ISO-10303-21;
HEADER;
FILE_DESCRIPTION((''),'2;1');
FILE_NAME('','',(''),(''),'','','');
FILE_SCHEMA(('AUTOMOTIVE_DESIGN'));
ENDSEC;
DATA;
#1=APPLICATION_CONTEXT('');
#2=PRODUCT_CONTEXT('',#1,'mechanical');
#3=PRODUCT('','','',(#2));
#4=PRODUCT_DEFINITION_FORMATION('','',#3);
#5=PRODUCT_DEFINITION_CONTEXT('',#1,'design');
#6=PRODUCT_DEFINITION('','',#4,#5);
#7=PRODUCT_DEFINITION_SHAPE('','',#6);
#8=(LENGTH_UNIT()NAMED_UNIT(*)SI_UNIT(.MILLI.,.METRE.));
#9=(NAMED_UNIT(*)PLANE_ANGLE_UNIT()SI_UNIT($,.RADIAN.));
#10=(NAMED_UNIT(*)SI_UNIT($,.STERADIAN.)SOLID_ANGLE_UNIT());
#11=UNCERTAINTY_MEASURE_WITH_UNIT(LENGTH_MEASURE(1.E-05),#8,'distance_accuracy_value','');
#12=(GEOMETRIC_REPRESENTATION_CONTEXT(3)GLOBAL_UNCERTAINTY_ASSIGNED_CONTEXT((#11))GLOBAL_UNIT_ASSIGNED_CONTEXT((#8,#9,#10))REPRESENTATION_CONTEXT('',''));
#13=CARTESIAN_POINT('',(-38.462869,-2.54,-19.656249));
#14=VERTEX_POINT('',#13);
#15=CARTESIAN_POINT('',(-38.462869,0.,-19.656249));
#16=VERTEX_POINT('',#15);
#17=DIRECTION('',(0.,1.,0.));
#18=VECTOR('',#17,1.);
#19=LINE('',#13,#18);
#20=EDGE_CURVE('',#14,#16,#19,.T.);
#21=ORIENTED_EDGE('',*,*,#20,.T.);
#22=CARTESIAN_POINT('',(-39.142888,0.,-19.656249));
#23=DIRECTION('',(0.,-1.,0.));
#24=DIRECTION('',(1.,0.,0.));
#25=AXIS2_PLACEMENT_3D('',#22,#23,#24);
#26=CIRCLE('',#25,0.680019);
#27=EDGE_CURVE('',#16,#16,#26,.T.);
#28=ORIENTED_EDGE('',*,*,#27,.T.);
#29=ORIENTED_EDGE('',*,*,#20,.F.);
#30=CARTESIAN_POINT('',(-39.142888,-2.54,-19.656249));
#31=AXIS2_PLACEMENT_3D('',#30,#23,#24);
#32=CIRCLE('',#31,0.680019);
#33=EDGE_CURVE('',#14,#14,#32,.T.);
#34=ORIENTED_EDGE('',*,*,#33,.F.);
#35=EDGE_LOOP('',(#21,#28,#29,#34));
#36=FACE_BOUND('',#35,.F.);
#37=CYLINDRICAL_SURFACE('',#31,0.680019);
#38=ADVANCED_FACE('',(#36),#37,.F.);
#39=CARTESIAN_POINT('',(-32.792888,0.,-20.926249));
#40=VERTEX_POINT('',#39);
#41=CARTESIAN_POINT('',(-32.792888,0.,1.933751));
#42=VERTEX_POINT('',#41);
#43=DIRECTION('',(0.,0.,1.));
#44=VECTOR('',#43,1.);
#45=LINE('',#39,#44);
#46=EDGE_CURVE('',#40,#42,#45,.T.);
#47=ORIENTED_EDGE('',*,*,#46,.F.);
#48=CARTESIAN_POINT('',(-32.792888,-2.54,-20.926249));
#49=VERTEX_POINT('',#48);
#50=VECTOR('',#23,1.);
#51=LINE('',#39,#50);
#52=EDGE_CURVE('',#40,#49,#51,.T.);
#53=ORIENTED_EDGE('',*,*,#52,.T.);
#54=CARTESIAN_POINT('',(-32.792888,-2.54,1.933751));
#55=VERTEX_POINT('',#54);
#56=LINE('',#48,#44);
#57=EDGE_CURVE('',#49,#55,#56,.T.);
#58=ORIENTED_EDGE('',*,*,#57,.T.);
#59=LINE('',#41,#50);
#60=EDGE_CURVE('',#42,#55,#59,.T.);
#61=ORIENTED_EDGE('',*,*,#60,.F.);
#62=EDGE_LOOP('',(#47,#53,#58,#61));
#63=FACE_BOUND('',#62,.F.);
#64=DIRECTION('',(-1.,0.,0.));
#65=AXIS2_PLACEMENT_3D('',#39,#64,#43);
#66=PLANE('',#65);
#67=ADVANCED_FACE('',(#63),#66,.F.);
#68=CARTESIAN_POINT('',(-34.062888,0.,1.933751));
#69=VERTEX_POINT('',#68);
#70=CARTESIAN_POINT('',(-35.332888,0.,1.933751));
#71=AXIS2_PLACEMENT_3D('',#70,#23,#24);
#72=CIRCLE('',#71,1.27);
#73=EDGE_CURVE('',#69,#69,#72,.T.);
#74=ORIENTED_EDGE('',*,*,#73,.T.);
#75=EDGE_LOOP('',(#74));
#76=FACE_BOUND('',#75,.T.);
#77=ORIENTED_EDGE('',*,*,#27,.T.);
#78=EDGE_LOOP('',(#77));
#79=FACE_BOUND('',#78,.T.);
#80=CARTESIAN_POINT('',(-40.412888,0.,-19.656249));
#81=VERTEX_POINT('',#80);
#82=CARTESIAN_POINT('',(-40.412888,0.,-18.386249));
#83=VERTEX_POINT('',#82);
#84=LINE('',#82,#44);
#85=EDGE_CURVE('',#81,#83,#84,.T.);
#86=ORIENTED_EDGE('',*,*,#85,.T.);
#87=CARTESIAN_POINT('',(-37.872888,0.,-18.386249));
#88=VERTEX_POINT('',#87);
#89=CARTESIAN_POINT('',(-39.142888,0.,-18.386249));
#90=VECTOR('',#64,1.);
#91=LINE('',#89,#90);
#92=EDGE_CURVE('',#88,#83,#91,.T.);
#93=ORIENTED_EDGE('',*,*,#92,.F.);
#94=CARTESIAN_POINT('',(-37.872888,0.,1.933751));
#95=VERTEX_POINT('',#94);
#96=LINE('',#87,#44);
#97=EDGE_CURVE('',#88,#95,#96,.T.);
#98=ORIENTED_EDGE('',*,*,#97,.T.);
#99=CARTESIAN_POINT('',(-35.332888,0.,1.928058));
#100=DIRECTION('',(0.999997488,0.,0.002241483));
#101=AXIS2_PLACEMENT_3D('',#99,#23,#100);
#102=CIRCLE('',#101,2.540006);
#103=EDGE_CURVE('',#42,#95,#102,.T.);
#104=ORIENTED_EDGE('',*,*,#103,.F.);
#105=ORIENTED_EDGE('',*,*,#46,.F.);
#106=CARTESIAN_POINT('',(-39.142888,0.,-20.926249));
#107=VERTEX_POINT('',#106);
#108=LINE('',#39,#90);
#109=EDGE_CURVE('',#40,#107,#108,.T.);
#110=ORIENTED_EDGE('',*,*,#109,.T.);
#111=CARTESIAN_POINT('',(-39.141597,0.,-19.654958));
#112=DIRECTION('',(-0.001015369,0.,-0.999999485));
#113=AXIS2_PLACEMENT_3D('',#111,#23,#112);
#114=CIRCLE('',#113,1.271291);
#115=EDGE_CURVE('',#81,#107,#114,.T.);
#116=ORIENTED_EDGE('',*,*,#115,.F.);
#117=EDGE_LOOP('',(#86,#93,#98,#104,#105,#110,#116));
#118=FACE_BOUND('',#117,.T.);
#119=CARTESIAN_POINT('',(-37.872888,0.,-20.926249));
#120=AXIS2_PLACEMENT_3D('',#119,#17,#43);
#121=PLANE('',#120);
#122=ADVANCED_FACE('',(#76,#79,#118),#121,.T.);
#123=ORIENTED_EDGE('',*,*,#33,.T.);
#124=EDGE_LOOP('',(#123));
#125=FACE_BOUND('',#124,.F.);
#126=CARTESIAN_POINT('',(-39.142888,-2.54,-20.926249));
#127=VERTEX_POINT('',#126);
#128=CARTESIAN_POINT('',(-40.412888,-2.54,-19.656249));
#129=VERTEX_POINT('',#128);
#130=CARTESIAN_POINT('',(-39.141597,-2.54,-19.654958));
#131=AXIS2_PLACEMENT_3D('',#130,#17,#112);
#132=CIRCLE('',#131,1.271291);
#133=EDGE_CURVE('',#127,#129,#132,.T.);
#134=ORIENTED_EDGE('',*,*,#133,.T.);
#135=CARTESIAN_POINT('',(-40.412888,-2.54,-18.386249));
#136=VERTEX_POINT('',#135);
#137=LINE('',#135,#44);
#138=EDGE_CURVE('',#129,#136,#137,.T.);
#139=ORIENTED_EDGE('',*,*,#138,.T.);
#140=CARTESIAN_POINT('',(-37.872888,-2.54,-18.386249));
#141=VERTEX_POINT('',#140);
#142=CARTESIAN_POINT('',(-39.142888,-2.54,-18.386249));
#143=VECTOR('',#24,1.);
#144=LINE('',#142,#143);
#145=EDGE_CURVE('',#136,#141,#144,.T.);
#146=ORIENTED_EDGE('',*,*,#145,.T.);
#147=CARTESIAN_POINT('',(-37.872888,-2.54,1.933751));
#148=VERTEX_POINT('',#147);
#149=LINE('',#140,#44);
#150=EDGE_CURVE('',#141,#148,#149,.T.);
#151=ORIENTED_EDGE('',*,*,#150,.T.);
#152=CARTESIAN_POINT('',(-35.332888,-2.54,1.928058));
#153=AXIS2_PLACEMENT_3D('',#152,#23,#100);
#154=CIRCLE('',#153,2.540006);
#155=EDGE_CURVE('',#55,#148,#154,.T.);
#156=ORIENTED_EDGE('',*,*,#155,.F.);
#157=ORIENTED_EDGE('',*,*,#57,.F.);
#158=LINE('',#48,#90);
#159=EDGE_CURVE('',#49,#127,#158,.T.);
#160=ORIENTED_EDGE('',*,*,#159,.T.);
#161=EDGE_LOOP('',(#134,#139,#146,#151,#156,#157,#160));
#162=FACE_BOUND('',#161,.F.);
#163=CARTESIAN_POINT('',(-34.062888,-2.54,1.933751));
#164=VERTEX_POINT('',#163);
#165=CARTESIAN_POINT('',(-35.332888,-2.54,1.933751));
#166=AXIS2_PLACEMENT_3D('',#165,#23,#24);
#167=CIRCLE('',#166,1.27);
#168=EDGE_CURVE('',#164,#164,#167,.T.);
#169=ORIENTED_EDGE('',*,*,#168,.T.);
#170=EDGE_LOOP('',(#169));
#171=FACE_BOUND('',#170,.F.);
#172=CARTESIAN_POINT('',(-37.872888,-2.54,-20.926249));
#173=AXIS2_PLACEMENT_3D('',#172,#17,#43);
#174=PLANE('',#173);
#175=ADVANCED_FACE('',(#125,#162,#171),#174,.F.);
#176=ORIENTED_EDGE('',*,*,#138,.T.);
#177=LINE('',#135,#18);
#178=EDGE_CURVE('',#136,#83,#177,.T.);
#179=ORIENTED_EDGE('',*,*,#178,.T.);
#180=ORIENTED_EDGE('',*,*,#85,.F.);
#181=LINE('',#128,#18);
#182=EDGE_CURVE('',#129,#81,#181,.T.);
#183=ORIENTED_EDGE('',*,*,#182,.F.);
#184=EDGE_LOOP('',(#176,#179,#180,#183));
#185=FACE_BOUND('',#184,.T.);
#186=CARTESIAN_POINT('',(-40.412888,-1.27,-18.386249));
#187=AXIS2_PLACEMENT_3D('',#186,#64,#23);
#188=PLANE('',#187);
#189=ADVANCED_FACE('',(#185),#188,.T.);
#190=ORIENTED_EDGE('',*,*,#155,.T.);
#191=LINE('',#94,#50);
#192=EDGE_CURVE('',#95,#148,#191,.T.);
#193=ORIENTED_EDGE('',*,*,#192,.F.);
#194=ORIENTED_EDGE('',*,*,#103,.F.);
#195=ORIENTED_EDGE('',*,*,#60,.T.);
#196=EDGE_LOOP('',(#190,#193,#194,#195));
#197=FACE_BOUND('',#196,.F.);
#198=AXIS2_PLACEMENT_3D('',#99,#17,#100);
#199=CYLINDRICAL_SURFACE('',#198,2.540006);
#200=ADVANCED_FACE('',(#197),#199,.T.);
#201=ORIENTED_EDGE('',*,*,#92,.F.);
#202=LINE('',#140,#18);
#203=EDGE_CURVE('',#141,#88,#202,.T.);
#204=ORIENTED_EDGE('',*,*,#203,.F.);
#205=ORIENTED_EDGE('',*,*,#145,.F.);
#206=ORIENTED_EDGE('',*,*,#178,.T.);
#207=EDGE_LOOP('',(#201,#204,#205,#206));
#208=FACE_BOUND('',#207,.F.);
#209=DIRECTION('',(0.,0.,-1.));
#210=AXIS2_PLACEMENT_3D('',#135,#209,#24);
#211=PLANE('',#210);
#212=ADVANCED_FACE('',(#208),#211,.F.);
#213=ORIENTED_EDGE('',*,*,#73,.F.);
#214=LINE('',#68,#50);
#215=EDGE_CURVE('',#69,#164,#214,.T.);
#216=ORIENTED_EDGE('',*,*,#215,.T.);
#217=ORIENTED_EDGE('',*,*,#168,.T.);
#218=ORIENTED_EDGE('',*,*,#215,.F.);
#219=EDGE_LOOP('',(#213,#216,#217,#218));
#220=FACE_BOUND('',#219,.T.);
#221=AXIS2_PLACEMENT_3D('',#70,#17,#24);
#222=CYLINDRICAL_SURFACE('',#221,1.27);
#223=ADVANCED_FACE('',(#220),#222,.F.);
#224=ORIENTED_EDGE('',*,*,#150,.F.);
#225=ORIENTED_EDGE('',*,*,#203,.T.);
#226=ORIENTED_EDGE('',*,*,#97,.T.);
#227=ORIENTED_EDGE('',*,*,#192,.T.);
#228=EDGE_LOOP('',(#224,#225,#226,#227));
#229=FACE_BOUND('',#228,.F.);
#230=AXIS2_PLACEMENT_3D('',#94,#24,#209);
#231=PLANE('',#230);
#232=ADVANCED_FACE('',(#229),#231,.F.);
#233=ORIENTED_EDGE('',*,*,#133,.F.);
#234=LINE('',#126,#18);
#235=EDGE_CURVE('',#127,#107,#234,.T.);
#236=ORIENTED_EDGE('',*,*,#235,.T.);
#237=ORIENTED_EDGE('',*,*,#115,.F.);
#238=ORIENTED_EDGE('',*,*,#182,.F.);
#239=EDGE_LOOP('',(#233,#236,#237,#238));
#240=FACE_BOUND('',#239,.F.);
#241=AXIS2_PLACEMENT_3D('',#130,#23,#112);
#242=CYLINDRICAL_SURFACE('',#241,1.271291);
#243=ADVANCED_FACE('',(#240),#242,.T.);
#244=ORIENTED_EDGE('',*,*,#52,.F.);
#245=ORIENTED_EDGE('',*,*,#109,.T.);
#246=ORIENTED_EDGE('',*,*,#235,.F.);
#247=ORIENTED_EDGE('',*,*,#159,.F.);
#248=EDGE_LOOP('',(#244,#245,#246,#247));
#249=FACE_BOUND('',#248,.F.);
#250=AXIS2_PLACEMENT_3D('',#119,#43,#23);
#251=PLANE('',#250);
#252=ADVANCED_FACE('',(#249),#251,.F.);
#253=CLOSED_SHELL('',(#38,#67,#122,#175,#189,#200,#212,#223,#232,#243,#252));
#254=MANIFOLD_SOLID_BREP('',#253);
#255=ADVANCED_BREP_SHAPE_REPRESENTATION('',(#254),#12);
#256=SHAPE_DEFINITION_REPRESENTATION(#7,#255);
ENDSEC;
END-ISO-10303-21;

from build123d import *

# Parameters (mm, degrees)
F0_R     = 1.27
F1_DEPTH = 2.54
F2_W     = 2.54
F2_H     = 5.08
F3_DEPTH = 2.54
F4_W     = 2.54
F4_H     = 2.54
F4_R     = 0.680019
F5_DEPTH = 25.4


with BuildPart() as f1:
    # F0 (on Front) → F1 (new body)
    with BuildSketch(Plane.XZ):
        with BuildLine():
            ThreePointArc((-32.792888, 1.933751), (-35.332888, 4.468064), (-37.872888, 1.933751))
            Line((-37.872888, 1.933751), (-37.872888, -20.926249))
            Line((-37.872888, -20.926249), (-32.792888, -20.926249))
            Line((-32.792888, -20.926249), (-32.792888, 1.933751))
        make_face()
        with Locations((-35.332888, 1.933751)):
            Circle(F0_R, mode=Mode.SUBTRACT)
    extrude(amount=F1_DEPTH)

    # F2 (on face) → F3 (join)
    with BuildSketch(Plane(origin=(-37.872888, 0, 0), x_dir=(0, -1, 0), z_dir=(-1, 0, 0))):
        with Locations((1.27, -18.386249)):
            Rectangle(F2_W, F2_H)
    extrude(amount=F3_DEPTH)

    # F4 (on face) → F5 (cut)
    with BuildSketch(Plane.XZ.offset(2.54)):
        with Locations((-39.142888, -17.116249)):
            Rectangle(F4_W, F4_H)
        with Locations((-39.142888, -19.656249)):
            Circle(F4_R)
        with BuildLine():
            ThreePointArc((-39.142888, -20.926249), (-40.040536, -20.553897), (-40.412888, -19.656249))
            Line((-40.412888, -19.656249), (-40.412888, -20.926249))
            Line((-40.412888, -20.926249), (-39.142888, -20.926249))
        make_face()
    extrude(amount=-F5_DEPTH, mode=Mode.SUBTRACT)


solid = f1.part
